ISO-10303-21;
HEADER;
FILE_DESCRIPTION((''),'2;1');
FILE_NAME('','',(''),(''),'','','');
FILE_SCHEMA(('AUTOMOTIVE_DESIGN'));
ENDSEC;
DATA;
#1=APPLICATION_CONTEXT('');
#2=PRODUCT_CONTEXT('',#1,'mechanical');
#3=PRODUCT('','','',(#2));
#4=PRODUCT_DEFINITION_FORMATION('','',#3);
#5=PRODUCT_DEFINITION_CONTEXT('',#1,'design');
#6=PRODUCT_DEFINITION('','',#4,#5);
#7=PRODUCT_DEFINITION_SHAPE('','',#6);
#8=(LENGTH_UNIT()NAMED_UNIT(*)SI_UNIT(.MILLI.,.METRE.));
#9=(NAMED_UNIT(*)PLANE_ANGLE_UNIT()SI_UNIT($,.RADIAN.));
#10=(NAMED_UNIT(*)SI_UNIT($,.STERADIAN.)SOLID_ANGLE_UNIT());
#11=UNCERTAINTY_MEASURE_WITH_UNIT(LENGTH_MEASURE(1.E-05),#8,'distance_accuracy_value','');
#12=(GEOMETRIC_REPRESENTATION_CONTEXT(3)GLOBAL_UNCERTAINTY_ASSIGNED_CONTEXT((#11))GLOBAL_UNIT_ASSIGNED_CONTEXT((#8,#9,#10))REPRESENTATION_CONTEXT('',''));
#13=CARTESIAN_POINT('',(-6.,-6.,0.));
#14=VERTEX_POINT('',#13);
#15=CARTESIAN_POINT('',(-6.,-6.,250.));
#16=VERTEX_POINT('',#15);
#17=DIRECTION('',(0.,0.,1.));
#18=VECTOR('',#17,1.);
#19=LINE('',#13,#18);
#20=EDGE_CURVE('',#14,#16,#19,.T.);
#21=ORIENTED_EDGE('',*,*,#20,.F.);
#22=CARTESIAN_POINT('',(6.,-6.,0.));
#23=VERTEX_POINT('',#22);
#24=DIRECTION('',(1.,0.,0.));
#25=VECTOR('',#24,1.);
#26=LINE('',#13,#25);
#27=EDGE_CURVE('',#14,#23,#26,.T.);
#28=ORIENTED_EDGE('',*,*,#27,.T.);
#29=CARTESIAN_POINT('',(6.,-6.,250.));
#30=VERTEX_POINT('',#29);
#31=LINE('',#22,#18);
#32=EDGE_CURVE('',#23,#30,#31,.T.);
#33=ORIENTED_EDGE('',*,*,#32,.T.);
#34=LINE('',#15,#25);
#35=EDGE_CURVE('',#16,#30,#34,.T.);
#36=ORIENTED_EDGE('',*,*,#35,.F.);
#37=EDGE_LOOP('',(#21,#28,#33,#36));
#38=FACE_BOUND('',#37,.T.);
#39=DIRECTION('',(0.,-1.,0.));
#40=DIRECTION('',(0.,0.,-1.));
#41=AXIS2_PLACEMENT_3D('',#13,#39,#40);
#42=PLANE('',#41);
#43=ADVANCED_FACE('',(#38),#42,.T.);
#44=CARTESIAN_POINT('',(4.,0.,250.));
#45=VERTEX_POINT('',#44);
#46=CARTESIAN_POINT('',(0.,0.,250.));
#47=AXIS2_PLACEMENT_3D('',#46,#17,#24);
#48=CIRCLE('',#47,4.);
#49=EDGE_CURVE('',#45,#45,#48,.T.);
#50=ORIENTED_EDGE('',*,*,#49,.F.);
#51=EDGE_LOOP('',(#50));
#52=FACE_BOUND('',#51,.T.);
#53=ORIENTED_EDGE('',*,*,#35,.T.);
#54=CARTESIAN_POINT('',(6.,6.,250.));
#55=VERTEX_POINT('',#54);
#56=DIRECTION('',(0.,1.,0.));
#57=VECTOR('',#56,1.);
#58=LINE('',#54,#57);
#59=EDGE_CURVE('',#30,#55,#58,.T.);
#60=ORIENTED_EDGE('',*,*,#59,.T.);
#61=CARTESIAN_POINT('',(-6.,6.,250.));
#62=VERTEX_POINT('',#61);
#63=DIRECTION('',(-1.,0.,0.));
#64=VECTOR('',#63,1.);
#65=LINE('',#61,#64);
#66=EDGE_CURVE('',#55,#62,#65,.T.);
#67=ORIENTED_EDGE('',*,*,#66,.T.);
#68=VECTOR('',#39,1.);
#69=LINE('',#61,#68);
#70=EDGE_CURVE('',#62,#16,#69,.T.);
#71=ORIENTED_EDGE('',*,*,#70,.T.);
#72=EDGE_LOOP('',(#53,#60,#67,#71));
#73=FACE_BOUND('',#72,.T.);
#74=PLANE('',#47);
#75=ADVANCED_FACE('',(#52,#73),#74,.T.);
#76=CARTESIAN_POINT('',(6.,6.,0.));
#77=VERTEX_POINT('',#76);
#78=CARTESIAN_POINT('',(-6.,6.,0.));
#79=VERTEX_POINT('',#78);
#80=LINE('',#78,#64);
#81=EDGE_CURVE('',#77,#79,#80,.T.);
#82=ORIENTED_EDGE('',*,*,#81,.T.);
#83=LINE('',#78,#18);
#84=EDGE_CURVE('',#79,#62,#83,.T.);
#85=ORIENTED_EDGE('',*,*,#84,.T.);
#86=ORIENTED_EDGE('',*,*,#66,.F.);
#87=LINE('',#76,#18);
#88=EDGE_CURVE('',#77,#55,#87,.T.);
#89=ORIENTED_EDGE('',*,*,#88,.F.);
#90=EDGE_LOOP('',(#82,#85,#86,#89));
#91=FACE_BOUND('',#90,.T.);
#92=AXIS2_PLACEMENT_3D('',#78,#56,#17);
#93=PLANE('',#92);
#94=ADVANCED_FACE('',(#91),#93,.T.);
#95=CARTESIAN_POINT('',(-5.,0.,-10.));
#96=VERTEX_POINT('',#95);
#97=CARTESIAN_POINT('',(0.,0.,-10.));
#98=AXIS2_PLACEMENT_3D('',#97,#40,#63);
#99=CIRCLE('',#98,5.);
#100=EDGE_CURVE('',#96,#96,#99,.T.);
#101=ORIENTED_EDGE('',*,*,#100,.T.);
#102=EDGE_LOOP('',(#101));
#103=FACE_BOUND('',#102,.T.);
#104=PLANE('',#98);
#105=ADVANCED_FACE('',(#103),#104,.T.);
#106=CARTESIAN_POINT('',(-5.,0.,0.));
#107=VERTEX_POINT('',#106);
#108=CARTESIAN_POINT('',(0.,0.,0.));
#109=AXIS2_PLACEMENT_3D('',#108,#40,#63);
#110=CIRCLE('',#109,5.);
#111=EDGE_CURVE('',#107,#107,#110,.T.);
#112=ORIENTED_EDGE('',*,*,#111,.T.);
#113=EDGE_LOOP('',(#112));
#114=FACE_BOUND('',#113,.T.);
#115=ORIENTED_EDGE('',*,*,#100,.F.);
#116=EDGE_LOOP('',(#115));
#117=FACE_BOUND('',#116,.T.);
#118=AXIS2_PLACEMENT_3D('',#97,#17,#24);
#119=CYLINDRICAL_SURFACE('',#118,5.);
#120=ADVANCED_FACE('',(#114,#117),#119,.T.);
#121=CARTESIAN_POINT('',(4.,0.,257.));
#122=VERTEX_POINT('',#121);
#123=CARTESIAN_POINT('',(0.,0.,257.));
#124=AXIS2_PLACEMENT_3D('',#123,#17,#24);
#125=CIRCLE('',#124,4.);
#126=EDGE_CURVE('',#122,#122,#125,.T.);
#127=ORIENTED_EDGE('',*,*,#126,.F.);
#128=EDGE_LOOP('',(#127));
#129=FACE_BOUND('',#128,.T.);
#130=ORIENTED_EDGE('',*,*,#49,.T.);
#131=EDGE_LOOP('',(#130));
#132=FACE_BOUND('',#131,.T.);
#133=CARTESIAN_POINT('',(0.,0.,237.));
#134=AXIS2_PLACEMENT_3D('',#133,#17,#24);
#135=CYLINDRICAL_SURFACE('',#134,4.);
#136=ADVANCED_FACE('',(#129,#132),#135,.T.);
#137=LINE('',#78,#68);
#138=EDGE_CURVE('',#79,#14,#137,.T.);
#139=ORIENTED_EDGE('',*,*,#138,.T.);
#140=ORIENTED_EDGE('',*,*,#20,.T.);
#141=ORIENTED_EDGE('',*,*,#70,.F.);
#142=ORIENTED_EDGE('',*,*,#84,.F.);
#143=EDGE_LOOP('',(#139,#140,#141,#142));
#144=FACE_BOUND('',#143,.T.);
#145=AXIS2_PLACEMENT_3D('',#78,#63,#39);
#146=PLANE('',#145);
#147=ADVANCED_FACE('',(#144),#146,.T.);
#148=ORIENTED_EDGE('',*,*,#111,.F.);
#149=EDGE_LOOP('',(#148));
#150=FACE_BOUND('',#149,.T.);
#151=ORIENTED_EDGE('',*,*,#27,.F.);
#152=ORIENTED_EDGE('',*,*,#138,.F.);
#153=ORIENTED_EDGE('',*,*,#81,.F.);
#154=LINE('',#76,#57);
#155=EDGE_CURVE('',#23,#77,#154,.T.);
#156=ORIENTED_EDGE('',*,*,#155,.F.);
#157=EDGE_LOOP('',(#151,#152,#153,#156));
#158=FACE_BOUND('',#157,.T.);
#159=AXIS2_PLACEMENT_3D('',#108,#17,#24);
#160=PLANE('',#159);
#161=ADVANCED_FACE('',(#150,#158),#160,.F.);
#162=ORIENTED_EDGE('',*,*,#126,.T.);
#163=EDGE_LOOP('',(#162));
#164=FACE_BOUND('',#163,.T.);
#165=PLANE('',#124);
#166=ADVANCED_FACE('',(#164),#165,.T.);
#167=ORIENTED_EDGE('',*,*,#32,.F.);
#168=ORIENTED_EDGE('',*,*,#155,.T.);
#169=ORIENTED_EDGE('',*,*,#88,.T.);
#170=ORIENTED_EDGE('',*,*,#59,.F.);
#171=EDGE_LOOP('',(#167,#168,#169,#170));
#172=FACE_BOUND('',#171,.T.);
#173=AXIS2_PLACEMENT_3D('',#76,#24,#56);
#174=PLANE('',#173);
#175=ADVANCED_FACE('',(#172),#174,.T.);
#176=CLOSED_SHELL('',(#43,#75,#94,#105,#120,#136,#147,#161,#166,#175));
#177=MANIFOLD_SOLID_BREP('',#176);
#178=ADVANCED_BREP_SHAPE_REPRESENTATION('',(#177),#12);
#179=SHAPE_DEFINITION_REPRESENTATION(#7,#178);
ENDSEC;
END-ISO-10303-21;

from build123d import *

# Parameters (mm, degrees)
EXTRUDE_1_DEPTH     = 250
SKETCH_2_R          = 2.5
EXTRUDE_2_DEPTH     = 10
SKETCH_3_R          = 5
EXTRUDE_3_DEPTH     = 10
SKETCH_4_W          = 2
SKETCH_4_H          = 1.835573614
CUT_EXTRUDE_1_DEPTH = 10
EXTRUDE_START       = -5
SKETCH_6_R          = 2.5
EXTRUDE_5_DEPTH     = 5
SKETCH_9_R          = 2.5
EXTRUDE_7_DEPTH     = 5
SKETCH_10_R         = 2.5
CUT_EXTRUDE_3_DEPTH = 3
CUT_EXTRUDE_START   = -3
SKETCH_11_R         = 2.5
CUT_EXTRUDE_4_DEPTH = 3
EXTRUDE_START_2     = -10
SKETCH_12_R         = 5
EXTRUDE_8_DEPTH     = 10
SKETCH_14_R         = 2.5
EXTRUDE_10_DEPTH    = 1
SKETCH_15_W         = 12
SKETCH_15_H         = 12
EXTRUDE_11_DEPTH    = 250
SKETCH_16_R         = 4
EXTRUDE_12_DEPTH    = 20


with BuildPart() as part:
    # 草图1 → 凸台-拉伸1 (new body)
    with BuildSketch(Plane.XY):
        Polygon((5, 0), (2.5, 4.330127019), (-2.5, 4.330127019), (-5, 0), (-2.5, -4.330127019), (2.5, -4.330127019), align=None)
    extrude(amount=EXTRUDE_1_DEPTH)

    # 草图2 → 凸台-拉伸2 (add)
    with BuildSketch(Plane.XY.offset(250)):
        Circle(SKETCH_2_R)
    extrude(amount=EXTRUDE_2_DEPTH)

    # 草图3 → 凸台-拉伸3 (add)
    with BuildSketch(Plane(origin=(0, 0, 0), x_dir=(-1, 0, 0), z_dir=(0, 0, -1))):
        Circle(SKETCH_3_R)
    extrude(amount=EXTRUDE_3_DEPTH)

    # 草图4 → 切除-拉伸1 (cut)
    with BuildSketch(Plane.XY.offset(260)):
        with Locations((0, 2.417786807)):
            Rectangle(SKETCH_4_W, SKETCH_4_H)
    extrude(amount=-CUT_EXTRUDE_1_DEPTH, mode=Mode.SUBTRACT)

    # 草图6 → 凸台-拉伸5 (add)
    with BuildSketch(Plane.XY.offset(260).offset(EXTRUDE_START)):
        with Locations(Location((0, 0, 0), (0, 0, 113.578178478))):
            Circle(SKETCH_6_R)
    extrude(amount=EXTRUDE_5_DEPTH)

    # 草图9 → 凸台-拉伸7 (add)
    with BuildSketch(Plane(origin=(0, 0, -10), x_dir=(-1, 0, 0), z_dir=(0, 0, -1))):
        with Locations(Location((0, 0, 0), (0, 0, 66.421821522))):
            Circle(SKETCH_9_R)
    extrude(amount=-EXTRUDE_7_DEPTH)

    # 草图10 → 切除-拉伸3 (cut)
    with BuildSketch(Plane(origin=(0, 0, -10), x_dir=(-1, 0, 0), z_dir=(0, 0, -1))):
        with Locations(Location((0, 0, 0), (0, 0, 66.421821522))):
            Circle(SKETCH_10_R)
    extrude(amount=-CUT_EXTRUDE_3_DEPTH, mode=Mode.SUBTRACT)

    # 草图11 → 切除-拉伸4 (cut)
    with BuildSketch(Plane.XY.offset(260).offset(CUT_EXTRUDE_START)):
        with Locations(Location((0, 0, 0), (0, 0, 113.578178478))):
            Circle(SKETCH_11_R)
    extrude(amount=CUT_EXTRUDE_4_DEPTH, mode=Mode.SUBTRACT)

    # 草图12 → 凸台-拉伸8 (add)
    with BuildSketch(Plane(origin=(0, 0, -10), x_dir=(-1, 0, 0), z_dir=(0, 0, -1)).offset(EXTRUDE_START_2)):
        Circle(SKETCH_12_R)
    extrude(amount=EXTRUDE_8_DEPTH)

    # 草图14 → 凸台-拉伸10 (add)
    with BuildSketch(Plane.XY.offset(250)):
        Circle(SKETCH_14_R)
    extrude(amount=EXTRUDE_10_DEPTH)

    # 草图15 → 凸台-拉伸11 (add)
    with BuildSketch(Plane.XY.offset(250)):
        Rectangle(SKETCH_15_W, SKETCH_15_H)
    extrude(amount=-EXTRUDE_11_DEPTH)

    # 草图16 → 凸台-拉伸12 (add)
    with BuildSketch(Plane.XY.offset(257)):
        Circle(SKETCH_16_R)
    extrude(amount=-EXTRUDE_12_DEPTH)


solid = part.part
